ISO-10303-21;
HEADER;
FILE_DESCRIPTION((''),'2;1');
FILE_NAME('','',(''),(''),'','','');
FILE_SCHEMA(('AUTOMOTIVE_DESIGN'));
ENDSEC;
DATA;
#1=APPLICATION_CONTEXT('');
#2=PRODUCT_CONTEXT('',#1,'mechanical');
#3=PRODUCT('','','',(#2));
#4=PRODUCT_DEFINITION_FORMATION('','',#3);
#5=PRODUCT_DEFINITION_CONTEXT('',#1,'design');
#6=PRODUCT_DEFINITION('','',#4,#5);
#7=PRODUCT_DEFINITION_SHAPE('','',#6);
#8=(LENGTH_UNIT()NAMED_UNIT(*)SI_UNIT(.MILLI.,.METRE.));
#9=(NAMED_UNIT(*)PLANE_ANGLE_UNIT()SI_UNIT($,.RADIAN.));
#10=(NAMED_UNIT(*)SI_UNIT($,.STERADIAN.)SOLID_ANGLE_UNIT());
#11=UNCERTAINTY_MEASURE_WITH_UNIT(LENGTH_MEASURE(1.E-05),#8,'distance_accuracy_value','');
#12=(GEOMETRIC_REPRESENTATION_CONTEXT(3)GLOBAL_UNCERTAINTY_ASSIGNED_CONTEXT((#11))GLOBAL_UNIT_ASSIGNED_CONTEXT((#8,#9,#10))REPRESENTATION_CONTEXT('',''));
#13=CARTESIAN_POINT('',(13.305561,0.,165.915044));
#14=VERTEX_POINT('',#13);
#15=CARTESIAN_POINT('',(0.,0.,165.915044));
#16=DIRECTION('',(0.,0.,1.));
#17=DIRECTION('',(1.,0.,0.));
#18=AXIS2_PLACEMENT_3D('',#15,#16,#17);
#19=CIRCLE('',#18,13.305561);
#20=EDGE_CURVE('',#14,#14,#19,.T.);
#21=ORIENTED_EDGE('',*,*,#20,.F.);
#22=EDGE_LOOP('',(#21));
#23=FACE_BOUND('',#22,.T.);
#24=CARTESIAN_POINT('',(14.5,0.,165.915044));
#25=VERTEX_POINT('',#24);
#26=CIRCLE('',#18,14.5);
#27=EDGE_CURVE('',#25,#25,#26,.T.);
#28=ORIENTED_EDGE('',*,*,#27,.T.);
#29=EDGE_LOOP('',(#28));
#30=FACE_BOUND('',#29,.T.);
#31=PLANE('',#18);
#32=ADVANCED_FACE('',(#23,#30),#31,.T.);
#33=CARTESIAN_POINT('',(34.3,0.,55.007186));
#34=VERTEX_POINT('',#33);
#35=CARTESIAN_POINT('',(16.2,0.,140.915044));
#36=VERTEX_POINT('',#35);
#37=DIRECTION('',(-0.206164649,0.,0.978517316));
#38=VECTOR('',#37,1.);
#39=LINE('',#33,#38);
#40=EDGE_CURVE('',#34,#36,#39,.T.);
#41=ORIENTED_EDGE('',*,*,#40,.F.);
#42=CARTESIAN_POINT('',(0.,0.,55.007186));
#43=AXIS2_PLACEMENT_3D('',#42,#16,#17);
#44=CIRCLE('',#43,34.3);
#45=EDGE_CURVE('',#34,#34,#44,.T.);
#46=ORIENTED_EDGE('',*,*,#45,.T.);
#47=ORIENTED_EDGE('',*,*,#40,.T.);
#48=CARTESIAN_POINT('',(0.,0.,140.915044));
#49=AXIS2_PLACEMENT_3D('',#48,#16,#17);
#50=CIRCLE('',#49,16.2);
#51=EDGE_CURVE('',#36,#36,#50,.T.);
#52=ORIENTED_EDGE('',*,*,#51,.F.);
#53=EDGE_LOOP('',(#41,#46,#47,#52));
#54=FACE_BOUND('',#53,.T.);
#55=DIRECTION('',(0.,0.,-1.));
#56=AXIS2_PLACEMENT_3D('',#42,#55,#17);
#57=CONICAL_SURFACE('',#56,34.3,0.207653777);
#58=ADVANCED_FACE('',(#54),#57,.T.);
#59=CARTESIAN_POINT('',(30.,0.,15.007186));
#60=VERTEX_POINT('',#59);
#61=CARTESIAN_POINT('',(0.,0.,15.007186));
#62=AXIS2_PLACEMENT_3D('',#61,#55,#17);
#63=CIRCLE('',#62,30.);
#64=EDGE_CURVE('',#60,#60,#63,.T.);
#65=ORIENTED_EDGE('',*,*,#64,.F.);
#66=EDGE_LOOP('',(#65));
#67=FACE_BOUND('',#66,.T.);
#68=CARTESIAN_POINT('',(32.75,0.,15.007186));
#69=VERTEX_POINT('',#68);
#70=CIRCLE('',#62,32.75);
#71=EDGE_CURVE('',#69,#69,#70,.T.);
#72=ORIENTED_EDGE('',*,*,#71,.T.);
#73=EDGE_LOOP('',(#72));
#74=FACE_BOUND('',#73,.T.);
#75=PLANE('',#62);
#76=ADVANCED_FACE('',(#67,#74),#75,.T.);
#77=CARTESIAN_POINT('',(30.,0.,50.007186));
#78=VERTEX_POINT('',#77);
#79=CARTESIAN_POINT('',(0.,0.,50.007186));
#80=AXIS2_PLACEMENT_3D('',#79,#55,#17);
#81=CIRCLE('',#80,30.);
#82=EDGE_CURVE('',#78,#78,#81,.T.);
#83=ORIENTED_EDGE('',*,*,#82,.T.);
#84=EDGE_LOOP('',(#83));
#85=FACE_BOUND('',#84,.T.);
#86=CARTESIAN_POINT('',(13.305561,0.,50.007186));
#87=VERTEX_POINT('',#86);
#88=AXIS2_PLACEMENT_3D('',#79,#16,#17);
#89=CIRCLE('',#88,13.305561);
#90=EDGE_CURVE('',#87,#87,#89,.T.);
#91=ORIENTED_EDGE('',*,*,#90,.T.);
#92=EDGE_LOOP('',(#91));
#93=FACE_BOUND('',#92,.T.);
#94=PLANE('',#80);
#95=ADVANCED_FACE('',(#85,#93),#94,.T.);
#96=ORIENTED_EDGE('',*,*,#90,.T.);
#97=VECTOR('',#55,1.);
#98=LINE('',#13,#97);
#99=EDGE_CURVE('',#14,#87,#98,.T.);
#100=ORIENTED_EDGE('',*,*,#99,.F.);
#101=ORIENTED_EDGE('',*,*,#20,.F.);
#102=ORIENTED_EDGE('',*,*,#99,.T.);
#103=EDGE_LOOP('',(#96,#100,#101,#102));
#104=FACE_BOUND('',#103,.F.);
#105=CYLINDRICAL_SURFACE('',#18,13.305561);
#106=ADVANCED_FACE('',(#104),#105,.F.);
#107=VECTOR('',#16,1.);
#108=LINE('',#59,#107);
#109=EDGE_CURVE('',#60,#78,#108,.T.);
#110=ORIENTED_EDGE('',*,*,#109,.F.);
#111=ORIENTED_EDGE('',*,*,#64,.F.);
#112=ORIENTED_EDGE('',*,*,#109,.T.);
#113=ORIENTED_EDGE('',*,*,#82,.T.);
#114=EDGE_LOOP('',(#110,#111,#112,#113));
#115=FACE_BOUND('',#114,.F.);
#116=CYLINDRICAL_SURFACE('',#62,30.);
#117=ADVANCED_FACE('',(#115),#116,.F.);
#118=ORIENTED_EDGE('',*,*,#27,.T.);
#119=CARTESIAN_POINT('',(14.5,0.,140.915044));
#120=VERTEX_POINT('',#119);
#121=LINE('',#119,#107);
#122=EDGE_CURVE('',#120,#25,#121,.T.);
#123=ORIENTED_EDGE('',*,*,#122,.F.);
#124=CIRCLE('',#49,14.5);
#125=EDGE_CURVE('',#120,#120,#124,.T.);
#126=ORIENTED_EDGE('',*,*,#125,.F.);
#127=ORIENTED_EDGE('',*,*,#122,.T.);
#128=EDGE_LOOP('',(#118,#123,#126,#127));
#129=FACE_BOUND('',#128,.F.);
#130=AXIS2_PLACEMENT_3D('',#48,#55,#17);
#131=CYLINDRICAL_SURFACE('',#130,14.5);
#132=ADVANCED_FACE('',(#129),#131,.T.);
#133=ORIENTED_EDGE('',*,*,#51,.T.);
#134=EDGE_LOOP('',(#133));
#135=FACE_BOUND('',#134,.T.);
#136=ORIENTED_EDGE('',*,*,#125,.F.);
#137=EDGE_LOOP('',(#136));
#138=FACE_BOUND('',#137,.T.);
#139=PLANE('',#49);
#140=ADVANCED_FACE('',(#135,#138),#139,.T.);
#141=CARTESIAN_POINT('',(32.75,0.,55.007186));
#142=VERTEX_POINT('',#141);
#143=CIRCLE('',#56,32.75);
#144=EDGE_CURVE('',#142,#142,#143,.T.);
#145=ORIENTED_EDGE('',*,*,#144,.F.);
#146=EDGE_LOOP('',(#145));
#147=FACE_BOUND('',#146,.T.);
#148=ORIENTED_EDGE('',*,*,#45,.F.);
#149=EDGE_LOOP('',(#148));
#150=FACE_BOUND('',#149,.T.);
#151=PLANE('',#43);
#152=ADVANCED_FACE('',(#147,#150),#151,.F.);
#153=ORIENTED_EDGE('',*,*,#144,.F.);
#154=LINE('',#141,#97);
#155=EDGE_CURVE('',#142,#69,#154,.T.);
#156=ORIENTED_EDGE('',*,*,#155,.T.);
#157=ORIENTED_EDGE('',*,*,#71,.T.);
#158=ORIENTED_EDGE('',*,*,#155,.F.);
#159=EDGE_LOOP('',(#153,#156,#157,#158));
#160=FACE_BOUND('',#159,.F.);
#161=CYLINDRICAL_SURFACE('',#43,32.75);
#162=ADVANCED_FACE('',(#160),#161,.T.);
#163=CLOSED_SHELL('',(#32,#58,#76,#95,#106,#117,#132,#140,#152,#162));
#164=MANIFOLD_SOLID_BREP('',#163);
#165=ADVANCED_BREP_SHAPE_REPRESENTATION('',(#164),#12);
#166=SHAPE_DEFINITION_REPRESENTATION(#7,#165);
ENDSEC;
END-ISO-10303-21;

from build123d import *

# Parameters (mm, degrees)
F2_R      = 32.75
F3_DEPTH  = 40
F4_R      = 30
F5_DEPTH  = 35
F7_R      = 14.5
F8_DEPTH  = 25
F9_R      = 13.305561
F10_DEPTH = 140


with BuildPart() as f1:
    # F0 (on Front) → F1 (revolve)
    with BuildSketch(Plane.XZ):
        Polygon((16.2, 140.915044), (0, 140.915044), (0, 55.007186), (34.3, 55.007186), align=None)
    revolve(axis=Axis((0, 0, 55.007186), (0, 0, 1)))

    # F2 (on face) → F3 (join)
    with BuildSketch(Plane(origin=(0, 0, 55.007186), x_dir=(1, 0, 0), z_dir=(0, 0, -1))):
        Circle(F2_R)
    extrude(amount=F3_DEPTH)

    # F4 (on face) → F5 (cut)
    with BuildSketch(Plane(origin=(0, 0, 15.007186), x_dir=(1, 0, 0), z_dir=(0, 0, -1))):
        Circle(F4_R)
    extrude(amount=-F5_DEPTH, mode=Mode.SUBTRACT)

    # F7 (on face) → F8 (join)
    with BuildSketch(Plane.XY.offset(140.915044)):
        Circle(F7_R)
    extrude(amount=F8_DEPTH)

    # F9 (on face) → F10 (cut)
    with BuildSketch(Plane.XY.offset(165.915044)):
        Circle(F9_R)
    extrude(amount=-F10_DEPTH, mode=Mode.SUBTRACT)


solid = f1.part
